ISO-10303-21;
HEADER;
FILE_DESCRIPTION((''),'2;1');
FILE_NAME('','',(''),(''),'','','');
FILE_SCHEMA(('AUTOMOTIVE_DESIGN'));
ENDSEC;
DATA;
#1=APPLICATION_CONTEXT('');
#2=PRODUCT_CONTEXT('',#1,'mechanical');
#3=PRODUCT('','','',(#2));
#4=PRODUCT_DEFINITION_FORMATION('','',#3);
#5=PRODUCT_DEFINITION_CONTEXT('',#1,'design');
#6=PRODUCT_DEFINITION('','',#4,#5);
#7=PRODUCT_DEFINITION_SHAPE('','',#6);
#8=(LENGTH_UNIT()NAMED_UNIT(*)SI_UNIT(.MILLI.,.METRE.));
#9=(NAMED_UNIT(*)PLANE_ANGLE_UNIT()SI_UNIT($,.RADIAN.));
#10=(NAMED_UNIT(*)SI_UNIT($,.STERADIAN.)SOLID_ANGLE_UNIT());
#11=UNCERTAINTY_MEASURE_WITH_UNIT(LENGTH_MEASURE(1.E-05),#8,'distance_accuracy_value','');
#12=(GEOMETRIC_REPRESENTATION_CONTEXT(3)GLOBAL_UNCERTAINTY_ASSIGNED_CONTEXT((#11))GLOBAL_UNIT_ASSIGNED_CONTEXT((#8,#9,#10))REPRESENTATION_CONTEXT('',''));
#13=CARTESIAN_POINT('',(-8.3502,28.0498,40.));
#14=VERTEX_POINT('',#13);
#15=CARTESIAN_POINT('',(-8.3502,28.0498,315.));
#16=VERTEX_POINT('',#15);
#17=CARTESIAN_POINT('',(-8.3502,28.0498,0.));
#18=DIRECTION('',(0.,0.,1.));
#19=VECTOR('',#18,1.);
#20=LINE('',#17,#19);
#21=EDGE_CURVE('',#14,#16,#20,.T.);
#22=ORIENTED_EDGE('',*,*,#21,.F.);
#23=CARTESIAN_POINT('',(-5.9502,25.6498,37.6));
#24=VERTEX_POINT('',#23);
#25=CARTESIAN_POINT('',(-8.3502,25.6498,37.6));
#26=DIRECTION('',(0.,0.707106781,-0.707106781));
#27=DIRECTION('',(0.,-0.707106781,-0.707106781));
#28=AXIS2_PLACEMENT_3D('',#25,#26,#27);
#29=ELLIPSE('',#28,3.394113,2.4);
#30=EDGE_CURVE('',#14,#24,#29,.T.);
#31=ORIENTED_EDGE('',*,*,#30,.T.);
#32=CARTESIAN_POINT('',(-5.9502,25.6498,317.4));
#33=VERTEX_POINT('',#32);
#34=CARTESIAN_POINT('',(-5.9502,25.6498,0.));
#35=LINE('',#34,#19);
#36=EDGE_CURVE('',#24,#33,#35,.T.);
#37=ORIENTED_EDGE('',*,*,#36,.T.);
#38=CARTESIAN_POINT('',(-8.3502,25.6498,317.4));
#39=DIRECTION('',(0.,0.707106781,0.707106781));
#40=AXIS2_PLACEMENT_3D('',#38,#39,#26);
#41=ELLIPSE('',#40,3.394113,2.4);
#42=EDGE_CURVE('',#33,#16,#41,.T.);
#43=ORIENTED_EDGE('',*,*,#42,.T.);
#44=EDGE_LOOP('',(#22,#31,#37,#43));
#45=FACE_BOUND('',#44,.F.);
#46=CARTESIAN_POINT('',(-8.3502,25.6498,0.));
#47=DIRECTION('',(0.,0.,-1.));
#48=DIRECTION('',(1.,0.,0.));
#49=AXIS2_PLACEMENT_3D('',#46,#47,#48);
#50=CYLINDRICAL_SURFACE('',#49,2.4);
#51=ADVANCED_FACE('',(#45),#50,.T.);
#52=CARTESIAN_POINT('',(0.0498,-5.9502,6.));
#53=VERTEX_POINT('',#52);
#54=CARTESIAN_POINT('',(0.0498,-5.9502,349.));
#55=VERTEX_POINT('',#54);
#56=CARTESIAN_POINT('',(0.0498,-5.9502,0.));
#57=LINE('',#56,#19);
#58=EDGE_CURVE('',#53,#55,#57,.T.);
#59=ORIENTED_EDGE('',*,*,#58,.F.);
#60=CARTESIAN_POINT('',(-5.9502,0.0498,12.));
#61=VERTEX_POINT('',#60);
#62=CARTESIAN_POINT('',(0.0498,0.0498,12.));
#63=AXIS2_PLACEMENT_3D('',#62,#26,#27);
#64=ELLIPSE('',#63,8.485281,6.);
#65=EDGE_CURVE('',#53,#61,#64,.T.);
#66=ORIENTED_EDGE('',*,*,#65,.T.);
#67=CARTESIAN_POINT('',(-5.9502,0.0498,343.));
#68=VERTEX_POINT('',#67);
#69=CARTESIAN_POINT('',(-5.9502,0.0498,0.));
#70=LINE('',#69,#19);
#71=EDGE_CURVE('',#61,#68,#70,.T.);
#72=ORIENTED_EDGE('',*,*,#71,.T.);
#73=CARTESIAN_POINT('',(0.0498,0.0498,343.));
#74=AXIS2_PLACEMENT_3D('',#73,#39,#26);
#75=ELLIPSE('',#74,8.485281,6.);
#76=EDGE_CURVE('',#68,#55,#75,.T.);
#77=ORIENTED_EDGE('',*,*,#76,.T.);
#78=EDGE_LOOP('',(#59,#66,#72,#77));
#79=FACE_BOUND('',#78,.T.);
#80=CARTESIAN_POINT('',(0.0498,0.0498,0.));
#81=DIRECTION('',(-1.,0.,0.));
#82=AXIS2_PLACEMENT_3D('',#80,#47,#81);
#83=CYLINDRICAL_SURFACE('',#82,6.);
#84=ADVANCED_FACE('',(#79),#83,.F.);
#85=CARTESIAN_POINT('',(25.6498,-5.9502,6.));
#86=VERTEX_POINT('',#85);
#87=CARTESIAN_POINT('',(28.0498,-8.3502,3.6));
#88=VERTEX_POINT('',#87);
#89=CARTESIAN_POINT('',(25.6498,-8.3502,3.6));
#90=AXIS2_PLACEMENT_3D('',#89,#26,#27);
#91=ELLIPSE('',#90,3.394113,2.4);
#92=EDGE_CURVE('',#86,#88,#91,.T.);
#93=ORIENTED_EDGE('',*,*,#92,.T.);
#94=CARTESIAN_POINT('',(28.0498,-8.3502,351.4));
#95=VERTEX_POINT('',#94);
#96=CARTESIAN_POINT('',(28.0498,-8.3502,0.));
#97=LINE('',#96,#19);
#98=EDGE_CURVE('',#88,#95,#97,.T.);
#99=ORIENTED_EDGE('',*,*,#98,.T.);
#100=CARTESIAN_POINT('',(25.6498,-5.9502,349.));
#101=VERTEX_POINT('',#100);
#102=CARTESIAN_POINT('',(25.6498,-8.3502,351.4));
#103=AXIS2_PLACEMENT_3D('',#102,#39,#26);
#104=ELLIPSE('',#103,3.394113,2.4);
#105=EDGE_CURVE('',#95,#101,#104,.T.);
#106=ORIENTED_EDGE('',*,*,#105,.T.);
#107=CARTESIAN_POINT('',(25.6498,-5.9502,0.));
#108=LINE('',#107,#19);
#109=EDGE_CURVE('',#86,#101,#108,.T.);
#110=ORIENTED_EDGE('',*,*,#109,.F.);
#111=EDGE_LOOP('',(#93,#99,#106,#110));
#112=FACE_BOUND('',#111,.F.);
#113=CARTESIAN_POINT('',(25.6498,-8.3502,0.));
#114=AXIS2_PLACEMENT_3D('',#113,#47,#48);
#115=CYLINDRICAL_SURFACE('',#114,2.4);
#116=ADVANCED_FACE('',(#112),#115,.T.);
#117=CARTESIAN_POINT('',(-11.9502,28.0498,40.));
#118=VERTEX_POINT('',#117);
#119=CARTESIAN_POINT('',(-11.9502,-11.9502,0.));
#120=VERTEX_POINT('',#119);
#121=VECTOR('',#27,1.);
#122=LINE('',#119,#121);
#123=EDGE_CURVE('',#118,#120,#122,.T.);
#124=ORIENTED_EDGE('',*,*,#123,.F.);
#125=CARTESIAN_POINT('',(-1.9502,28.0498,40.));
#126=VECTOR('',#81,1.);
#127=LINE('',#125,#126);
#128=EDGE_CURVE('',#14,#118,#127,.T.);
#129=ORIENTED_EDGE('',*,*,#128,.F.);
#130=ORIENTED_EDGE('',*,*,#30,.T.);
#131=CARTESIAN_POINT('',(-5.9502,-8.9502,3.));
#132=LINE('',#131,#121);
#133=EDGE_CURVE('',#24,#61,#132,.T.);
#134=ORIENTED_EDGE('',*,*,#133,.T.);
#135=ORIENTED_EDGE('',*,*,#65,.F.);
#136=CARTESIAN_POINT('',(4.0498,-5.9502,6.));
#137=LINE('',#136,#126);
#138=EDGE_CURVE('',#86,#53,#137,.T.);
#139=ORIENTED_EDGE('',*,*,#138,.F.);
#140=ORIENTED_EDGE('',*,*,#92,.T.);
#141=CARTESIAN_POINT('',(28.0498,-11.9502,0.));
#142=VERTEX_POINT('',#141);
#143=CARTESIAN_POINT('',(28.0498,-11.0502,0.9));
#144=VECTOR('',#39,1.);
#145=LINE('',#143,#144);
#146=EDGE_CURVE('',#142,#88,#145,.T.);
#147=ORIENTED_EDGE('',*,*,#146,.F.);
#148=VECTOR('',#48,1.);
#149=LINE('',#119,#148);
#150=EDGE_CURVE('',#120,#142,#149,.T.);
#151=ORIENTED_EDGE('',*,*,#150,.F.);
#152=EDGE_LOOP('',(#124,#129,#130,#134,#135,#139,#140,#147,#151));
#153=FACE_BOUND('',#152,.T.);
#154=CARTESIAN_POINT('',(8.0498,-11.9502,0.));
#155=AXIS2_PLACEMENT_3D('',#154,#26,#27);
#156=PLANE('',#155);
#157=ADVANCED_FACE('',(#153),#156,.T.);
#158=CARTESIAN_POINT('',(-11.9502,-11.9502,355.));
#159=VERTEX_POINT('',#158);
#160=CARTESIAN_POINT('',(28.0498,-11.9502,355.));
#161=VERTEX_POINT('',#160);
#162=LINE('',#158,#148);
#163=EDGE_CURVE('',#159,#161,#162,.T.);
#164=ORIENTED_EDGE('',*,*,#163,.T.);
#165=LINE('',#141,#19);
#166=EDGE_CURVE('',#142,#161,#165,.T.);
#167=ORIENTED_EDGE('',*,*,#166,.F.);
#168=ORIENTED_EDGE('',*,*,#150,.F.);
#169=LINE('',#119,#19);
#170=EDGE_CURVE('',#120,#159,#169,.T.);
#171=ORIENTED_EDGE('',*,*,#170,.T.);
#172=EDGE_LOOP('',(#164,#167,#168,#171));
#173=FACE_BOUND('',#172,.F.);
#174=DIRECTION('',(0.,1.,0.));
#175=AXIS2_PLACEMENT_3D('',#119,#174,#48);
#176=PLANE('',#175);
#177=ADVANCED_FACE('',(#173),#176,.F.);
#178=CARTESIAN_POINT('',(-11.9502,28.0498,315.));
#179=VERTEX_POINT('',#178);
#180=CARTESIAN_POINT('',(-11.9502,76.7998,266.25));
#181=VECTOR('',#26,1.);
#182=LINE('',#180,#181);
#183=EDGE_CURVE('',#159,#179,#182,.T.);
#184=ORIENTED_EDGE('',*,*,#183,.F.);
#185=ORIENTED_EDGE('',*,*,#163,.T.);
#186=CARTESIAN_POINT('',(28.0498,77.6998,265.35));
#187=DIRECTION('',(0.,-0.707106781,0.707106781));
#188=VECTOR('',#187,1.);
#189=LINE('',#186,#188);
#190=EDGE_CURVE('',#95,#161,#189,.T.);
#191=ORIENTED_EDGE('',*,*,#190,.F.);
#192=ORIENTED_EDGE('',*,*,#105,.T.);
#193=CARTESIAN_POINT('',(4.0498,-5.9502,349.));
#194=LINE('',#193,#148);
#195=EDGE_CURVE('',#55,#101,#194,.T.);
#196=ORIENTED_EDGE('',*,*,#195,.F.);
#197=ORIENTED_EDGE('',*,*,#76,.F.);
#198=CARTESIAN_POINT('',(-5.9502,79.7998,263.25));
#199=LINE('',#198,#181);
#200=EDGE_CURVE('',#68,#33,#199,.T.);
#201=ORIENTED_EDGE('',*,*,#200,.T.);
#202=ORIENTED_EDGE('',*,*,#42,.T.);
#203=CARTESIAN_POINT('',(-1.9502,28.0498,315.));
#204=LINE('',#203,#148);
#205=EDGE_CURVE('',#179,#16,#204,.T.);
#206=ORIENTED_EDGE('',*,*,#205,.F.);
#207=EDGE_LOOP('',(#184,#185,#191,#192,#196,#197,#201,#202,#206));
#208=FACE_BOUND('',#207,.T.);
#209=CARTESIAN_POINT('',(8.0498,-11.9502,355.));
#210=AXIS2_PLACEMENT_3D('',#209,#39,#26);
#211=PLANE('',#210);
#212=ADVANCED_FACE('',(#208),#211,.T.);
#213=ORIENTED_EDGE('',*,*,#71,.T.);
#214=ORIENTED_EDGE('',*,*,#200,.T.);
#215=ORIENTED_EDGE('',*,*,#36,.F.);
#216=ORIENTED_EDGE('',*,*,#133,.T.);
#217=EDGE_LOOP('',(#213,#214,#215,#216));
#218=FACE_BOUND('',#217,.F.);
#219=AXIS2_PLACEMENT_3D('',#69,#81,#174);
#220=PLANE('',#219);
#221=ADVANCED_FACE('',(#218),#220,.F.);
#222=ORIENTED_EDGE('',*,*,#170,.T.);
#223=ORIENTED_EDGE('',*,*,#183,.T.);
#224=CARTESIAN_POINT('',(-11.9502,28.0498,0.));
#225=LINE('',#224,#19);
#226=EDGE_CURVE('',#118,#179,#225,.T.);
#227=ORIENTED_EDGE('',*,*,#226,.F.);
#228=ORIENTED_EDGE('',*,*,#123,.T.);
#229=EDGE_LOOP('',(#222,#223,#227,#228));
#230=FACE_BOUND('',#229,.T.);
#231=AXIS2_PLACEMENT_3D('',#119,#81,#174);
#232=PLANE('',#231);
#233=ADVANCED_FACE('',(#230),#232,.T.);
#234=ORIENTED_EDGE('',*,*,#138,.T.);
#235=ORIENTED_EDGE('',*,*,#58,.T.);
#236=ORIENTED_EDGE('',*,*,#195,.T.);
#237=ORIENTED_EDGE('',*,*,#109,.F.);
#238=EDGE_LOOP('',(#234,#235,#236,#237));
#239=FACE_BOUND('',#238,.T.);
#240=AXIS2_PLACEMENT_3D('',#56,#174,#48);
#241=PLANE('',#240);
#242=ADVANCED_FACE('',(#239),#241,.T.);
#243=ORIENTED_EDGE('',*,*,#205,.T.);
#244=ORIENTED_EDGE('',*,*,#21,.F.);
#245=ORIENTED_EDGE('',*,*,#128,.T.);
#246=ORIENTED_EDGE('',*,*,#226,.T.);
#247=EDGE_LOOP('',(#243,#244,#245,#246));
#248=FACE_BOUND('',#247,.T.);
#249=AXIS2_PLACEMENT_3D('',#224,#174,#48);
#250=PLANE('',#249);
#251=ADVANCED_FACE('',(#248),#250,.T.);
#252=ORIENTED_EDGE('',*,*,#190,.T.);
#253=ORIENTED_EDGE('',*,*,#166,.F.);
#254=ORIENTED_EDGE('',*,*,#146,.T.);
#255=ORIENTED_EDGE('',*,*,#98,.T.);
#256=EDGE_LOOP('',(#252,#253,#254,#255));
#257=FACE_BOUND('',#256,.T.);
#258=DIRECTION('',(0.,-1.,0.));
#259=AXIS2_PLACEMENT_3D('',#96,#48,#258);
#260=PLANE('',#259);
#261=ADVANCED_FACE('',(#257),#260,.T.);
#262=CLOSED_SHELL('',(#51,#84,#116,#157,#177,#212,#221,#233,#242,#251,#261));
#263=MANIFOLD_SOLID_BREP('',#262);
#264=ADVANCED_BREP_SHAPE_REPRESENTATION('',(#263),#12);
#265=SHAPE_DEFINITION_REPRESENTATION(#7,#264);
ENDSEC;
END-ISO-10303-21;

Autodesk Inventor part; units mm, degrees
ref_plane "Start Plane" through (0, 0, 0) normal (0, 0, 1) x (1, 0, 0)
ref_plane "End Plane" through (0, 0, 355) normal (0, 0, 1) x (1, 0, 0)
sketch "Sketch" plane through (0, 0, 0) normal (0, 0, 1) x (1, 0, 0)
  line L0 (-5.9502, 0.0498) -> (-5.9502, 25.6498)
  line L1 (-11.9502, 28.0498) -> (-8.3502, 28.0498)
  line L2 (-11.9502, -11.9502) -> (-11.9502, 28.0498)
  line L3 (-11.9502, -11.9502) -> (28.0498, -11.9502)
  line L4 (28.0498, -8.3502) -> (28.0498, -11.9502)
  line L5 (0.0498, -5.9502) -> (25.6498, -5.9502)
  arc A0 (-5.9502, 0.0498) -> (0.0498, -5.9502) centre (0.0498, 0.0498) ccw
  arc A1 (-5.9502, 25.6498) -> (-8.3502, 28.0498) centre (-8.3502, 25.6498) ccw
  arc A2 (28.0498, -8.3502) -> (25.6498, -5.9502) centre (25.6498, -8.3502) ccw
  line L6 (0, 36.6463) -> (0, -20.0496) construction
  line L7 (-20.0496, 0) -> (36.6463, 0) construction
  point P0 (-5.9502, -5.9502)
  point P1 (-5.9502, 28.0498)
  point P2 (28.0498, -5.9502)
  dimension "d4" = 40
  dimension "d6" = 40
  dimension "d8" = 6
  dimension "d10" = 6
  dimension "d17" = 6
  dimension "d18" = 2.4
  dimension "d19" = 11.9502
  dimension "d20" = 11.9502
extrude "Body" add sketch "Sketch" along normal up to surface (355 mm away) from surface at 0
sketch "Sketch3" plane through (0, 0, 0) normal (0, 0, 1) x (1, 0, 0)
  line L0 (0, 0) -> (10, 0)
ref_plane "Work Plane10" through (0, 0, 0) normal (0, -1, 0) x (1, 0, 0)
sketch "Sketch4" plane through (0, 0, 0) normal (0, -1, 0) x (1, 0, 0)
  line L0 (-2, 0) -> (12, 0)
  line L1 (-2, 355) -> (12, 355)
  dimension "d24" = 355
ref_plane "Work Plane11" through (8.0498, -11.9502, 0) normal (0, 0.7071, -0.7071) x (1, 0, 0)
split "Split1" plane through (8.0498, -11.9502, 0) removes the side toward (0, 0.7071, -0.7071)
ref_plane "Work Plane12" through (8.0498, -11.9502, 355) normal (0, 0.7071, 0.7071) x (1, 0, 0)
split "Split2" plane through (8.0498, -11.9502, 355) removes the side toward (0, 0.7071, 0.7071)
equation "\"d4\" = b"
equation "\"d6\" = b"
equation "\"d8\" = ParT"
equation "\"d10\" = ParT"
equation "\"d17\" = R"
equation "\"d18\" = R1"
equation "\"d19\" = ex"
equation "\"d20\" = d19"
equation "\"d11\" = G_L"
equation "\"b\" = 40"
equation "\"ParT\" = 6"
equation "\"R\" = 6"
equation "\"R1\" = 2.4"
equation "\"G_L\" = d24"
equation "\"G_OFFSET_START\" = 0"
equation "\"G_OFFSET_END\" = 0"
equation "\"d22\" = G_OFFSET_END + B_L"
equation "\"B_L\" = 355"
equation "\"ex\" = 11.950185"
properties part number "BS 4848 - 40x40x6-355" material "Steel, Mild"
